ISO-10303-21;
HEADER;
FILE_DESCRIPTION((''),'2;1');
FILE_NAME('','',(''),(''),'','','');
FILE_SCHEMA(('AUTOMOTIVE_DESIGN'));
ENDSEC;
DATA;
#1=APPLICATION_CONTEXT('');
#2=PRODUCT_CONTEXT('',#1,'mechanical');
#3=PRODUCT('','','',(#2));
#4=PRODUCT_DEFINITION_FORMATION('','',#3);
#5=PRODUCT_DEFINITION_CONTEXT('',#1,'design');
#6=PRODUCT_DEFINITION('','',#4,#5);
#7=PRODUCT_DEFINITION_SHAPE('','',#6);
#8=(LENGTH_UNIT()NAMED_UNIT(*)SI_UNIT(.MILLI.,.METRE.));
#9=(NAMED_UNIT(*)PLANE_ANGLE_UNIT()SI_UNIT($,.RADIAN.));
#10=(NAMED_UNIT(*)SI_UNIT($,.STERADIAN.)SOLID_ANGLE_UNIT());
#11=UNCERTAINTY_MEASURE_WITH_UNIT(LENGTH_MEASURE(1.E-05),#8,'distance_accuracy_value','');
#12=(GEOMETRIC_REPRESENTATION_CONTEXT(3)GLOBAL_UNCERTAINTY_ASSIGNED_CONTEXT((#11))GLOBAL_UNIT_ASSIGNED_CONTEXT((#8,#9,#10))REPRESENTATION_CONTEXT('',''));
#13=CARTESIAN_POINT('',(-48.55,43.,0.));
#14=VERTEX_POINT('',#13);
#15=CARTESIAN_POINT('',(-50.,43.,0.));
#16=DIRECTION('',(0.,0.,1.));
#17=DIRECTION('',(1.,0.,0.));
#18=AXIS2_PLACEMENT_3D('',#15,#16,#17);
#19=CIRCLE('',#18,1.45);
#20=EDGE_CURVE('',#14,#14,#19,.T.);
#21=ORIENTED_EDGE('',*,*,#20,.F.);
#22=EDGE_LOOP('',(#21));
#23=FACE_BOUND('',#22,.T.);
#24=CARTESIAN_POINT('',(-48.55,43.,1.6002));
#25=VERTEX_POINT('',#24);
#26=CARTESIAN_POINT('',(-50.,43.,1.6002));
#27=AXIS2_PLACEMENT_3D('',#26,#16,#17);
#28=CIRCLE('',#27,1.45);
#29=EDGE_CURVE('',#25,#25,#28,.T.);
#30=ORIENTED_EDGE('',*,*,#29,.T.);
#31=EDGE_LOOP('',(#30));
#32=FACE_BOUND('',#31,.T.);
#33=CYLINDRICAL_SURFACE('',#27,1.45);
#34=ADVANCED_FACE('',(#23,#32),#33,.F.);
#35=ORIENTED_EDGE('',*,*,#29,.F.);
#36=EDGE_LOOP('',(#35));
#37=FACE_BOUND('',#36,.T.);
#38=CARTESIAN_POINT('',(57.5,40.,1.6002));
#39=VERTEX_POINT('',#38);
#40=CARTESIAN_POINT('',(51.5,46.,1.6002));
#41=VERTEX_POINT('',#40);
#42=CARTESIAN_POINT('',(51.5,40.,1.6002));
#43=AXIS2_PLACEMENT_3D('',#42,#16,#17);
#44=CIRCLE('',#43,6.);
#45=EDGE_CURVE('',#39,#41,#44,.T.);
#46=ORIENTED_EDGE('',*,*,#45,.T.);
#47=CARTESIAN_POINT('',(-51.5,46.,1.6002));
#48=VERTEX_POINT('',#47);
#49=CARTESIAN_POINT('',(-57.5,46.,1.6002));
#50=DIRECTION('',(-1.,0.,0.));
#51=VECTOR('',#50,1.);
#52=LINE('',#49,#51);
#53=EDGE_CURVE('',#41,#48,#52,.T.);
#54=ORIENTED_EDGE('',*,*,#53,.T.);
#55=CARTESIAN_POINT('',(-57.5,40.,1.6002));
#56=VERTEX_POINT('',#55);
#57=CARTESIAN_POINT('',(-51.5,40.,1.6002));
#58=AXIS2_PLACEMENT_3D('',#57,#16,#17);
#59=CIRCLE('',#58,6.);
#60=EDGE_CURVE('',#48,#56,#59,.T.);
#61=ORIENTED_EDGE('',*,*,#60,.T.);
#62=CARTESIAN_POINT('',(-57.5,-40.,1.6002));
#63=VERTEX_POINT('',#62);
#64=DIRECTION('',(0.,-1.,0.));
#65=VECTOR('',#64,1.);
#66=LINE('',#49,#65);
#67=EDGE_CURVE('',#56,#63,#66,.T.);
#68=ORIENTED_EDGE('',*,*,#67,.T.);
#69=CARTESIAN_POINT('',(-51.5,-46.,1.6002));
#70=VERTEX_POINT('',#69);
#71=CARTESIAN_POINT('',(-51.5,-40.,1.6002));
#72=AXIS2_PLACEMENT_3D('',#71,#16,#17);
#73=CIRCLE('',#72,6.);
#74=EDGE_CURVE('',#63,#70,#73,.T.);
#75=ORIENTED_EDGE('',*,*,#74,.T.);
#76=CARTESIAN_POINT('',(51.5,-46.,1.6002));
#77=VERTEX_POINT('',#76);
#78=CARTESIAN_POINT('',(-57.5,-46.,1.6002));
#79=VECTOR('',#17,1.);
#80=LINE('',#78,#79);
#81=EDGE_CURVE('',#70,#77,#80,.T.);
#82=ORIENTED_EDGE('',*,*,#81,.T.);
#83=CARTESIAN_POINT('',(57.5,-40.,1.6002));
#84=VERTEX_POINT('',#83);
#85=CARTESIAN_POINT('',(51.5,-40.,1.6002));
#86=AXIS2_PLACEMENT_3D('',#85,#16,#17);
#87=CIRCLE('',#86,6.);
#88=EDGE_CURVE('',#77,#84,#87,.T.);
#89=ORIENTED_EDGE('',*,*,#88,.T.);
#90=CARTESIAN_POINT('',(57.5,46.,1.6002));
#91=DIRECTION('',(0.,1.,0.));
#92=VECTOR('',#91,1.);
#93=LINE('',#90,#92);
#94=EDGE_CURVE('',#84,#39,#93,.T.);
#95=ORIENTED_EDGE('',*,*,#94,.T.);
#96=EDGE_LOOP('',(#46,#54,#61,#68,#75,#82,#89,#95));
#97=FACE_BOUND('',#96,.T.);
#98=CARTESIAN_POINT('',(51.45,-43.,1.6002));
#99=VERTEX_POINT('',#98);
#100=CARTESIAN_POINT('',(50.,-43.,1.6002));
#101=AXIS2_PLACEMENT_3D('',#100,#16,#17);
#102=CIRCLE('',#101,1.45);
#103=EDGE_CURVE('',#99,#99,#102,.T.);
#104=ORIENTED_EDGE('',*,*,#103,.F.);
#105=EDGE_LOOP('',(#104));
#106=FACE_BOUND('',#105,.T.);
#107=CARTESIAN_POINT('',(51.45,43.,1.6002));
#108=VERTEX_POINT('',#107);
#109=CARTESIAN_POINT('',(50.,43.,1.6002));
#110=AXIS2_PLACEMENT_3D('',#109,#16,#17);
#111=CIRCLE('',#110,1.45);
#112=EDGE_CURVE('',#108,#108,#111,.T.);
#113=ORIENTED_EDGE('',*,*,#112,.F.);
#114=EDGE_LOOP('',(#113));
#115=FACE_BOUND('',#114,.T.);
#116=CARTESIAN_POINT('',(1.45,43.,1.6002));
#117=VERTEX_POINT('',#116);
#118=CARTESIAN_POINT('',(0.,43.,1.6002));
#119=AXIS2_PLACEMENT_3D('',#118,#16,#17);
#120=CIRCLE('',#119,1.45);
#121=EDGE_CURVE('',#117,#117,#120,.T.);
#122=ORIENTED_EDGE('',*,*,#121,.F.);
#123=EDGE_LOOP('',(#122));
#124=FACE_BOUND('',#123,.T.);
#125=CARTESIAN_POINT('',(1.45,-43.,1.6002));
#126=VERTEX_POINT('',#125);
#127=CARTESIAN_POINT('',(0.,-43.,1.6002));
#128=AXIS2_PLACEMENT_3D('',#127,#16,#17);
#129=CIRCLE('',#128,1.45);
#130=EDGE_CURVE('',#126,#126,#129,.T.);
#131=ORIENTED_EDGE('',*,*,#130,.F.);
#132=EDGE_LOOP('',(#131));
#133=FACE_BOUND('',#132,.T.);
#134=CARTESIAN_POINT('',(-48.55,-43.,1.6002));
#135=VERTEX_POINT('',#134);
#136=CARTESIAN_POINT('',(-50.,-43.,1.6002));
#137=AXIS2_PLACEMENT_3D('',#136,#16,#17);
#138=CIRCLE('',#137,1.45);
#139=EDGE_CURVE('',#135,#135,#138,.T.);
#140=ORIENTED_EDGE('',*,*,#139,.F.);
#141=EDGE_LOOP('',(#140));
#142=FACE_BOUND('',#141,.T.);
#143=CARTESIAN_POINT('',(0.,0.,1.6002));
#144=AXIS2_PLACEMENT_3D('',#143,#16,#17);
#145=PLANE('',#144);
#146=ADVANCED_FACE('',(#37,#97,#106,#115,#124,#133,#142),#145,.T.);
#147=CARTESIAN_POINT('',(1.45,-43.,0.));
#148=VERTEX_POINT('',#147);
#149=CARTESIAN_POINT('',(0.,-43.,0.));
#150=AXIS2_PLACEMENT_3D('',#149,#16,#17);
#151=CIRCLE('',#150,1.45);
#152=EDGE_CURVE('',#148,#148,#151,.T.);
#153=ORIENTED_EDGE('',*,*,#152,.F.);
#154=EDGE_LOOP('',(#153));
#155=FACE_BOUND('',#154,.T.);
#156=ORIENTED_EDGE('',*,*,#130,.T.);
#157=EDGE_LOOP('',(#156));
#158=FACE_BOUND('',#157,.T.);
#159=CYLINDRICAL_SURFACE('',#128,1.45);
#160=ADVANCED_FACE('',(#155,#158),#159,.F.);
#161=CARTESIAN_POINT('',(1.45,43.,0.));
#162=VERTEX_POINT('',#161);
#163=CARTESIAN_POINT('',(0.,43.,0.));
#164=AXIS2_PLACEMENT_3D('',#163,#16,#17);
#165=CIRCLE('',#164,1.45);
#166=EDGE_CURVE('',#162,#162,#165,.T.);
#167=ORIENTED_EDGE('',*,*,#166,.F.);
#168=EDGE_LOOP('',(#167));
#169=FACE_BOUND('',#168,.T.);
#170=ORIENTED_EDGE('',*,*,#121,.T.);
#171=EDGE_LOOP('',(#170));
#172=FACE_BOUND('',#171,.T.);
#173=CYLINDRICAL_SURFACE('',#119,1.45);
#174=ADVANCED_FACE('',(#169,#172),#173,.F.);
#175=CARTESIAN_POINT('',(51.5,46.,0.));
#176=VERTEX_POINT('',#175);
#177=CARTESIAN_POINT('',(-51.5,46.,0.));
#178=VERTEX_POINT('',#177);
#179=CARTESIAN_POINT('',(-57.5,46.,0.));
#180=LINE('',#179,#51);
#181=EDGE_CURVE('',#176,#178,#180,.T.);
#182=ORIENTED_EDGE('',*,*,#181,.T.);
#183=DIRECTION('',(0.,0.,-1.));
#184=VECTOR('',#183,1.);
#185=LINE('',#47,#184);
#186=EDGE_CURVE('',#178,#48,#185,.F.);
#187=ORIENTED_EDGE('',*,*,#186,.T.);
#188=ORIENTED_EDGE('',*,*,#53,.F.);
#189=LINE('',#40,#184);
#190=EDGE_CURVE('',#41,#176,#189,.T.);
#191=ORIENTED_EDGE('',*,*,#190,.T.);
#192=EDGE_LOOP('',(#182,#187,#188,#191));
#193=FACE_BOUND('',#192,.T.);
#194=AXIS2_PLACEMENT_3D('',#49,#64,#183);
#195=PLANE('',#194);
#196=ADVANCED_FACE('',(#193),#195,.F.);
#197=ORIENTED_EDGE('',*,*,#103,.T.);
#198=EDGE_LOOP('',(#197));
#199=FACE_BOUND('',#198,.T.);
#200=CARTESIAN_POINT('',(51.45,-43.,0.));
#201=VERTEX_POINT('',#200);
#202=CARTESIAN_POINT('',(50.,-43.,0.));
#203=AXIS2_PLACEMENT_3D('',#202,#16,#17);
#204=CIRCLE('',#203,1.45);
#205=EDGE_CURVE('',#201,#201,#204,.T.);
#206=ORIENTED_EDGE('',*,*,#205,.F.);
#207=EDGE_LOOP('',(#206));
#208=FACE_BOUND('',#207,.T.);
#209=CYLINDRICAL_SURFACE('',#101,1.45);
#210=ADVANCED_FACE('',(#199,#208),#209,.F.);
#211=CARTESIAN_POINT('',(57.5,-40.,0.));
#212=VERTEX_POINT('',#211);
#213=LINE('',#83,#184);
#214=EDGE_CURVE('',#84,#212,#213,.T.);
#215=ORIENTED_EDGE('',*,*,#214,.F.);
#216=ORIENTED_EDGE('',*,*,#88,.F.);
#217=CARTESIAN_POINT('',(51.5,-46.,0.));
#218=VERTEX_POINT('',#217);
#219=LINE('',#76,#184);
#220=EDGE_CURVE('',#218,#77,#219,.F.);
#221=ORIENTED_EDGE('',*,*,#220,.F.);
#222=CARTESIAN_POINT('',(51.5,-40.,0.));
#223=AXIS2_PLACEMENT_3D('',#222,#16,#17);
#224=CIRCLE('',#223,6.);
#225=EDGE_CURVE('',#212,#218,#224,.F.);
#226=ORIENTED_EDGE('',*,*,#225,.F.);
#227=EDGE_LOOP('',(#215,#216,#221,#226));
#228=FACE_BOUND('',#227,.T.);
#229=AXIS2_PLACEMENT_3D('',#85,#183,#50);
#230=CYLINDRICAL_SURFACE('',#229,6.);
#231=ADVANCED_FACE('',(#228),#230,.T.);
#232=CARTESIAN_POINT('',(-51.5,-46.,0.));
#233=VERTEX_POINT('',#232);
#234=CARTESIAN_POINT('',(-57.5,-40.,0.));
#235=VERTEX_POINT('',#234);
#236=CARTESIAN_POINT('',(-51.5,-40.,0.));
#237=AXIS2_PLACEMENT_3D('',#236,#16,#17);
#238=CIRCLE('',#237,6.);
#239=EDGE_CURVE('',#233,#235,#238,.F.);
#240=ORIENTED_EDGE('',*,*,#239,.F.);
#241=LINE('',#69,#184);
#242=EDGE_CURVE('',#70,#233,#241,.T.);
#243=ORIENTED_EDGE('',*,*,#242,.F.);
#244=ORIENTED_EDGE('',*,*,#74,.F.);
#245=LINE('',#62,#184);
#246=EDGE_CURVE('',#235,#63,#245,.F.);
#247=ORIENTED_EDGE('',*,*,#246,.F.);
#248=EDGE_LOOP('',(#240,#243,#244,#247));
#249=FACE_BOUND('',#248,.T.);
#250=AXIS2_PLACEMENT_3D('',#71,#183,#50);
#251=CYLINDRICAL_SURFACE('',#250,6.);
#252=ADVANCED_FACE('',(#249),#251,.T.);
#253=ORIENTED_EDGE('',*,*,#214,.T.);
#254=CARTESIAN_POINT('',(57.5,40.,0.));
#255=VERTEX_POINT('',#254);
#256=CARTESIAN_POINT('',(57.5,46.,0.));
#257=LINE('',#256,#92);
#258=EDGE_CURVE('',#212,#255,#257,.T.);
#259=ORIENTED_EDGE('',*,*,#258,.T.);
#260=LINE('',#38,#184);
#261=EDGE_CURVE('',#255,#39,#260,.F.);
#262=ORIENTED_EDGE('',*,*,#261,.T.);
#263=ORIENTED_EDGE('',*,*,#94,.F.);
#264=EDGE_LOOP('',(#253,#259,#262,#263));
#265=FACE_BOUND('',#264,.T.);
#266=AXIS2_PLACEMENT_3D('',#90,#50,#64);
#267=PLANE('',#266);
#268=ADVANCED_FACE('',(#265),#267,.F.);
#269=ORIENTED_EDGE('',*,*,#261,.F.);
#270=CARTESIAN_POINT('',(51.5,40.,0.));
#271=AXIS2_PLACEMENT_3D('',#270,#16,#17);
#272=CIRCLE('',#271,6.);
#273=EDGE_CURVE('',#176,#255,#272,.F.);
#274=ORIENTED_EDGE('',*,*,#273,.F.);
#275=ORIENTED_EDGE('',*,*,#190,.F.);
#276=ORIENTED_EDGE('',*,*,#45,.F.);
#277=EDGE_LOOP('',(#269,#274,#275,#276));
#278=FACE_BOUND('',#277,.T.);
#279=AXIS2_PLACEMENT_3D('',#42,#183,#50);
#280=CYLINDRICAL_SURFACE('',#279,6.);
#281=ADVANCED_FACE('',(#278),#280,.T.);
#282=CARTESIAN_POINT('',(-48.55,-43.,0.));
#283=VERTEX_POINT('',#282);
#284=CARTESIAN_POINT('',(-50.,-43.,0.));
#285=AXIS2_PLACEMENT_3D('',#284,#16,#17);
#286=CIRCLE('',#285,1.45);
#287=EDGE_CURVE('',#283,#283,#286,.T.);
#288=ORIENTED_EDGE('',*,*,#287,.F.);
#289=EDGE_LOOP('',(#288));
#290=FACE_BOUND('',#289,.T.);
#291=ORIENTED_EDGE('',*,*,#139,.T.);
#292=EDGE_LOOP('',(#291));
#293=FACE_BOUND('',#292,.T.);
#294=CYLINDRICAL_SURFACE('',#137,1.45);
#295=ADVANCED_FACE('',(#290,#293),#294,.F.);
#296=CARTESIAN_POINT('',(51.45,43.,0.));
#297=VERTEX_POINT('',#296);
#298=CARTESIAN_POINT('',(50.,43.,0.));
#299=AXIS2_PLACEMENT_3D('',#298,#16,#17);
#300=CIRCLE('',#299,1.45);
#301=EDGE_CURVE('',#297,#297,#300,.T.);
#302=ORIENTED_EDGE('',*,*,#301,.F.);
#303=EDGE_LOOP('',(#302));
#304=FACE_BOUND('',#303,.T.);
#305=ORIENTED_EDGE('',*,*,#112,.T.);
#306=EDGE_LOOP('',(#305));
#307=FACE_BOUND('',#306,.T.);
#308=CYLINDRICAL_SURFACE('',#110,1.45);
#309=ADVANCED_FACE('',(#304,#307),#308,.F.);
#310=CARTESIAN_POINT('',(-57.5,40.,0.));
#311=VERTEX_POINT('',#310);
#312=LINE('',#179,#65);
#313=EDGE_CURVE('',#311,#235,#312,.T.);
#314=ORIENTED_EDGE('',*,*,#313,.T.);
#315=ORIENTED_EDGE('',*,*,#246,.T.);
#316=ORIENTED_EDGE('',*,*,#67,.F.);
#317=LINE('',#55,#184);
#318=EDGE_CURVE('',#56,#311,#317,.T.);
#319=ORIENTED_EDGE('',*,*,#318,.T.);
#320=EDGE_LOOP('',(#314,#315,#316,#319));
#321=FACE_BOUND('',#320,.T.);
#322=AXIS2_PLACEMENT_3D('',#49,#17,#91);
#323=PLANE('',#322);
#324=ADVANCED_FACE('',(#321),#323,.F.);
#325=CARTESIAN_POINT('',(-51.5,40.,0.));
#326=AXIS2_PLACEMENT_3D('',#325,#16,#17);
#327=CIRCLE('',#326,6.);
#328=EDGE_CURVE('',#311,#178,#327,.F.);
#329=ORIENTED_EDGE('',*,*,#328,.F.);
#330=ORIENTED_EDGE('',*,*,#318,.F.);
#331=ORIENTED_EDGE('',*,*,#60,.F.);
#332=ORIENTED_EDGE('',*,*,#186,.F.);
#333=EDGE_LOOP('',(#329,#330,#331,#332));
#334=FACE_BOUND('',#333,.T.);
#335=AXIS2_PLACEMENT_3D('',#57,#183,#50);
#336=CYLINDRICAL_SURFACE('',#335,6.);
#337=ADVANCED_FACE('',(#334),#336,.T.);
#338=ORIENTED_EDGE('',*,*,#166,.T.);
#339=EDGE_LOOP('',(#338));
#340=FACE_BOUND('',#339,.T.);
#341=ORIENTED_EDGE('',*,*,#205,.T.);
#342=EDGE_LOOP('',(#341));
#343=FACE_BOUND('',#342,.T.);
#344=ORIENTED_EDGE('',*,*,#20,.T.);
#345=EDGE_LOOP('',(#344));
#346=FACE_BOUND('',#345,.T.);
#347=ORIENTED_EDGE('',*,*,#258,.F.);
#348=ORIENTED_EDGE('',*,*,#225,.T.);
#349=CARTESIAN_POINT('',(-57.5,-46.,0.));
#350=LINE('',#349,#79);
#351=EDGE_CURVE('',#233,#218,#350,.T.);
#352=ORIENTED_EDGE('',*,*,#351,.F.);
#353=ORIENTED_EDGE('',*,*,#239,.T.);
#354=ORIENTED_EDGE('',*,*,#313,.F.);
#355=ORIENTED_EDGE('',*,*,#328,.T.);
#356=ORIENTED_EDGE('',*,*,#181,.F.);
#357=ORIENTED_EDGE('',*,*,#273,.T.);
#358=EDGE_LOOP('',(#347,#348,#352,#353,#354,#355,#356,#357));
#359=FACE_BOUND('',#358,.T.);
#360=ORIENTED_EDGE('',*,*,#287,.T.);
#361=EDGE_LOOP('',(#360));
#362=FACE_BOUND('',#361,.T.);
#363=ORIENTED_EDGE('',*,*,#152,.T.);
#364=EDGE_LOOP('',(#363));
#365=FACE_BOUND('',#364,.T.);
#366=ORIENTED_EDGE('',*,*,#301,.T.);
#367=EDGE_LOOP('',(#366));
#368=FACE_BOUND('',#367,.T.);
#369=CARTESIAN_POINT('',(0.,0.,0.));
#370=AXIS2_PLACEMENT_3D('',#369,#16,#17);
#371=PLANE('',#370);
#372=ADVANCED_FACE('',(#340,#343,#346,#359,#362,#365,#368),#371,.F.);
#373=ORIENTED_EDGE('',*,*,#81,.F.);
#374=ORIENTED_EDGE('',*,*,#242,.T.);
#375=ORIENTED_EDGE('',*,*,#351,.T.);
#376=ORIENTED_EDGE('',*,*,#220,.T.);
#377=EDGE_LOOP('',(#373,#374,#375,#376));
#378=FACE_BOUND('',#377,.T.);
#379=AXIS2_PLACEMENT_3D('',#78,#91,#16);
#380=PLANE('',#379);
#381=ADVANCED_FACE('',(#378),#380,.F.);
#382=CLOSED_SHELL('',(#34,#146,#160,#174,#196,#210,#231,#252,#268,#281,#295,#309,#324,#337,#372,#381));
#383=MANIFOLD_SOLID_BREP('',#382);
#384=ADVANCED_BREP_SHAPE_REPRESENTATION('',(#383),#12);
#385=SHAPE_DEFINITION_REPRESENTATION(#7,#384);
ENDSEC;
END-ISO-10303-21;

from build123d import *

# Parameters (mm, degrees)
SKETCH1_W              = 115
SKETCH1_H              = 92
BOSS_EXTRUDE1_DEPTH    = 1.6002
M2_5_CLEARANCE_HOLE1_D = 2.9
FILLET2_R              = 6


with BuildPart() as part:
    # Sketch1 → Boss-Extrude1 (new body)
    with BuildSketch(Plane.XY):
        Rectangle(SKETCH1_W, SKETCH1_H)
    extrude(amount=BOSS_EXTRUDE1_DEPTH)

    # M2.5 Clearance Hole1 (through all)
    with Locations(Plane.XY.offset(1.6002)):
        with Locations((50, -43), (-50, 43), (-50, -43), (50, 43), (0, 43), (0, -43)):
            Hole(M2_5_CLEARANCE_HOLE1_D / 2)

    # Fillet2
    fillet2_edges = [part.edges().sort_by_distance(p)[0] for p in [
        (57.5, -46, 0.8001),
        (-57.5, -46, 0.8001),
        (-57.5, 46, 0.8001),
        (57.5, 46, 0.8001),
    ]]
    fillet(fillet2_edges, radius=FILLET2_R)


solid = part.part
